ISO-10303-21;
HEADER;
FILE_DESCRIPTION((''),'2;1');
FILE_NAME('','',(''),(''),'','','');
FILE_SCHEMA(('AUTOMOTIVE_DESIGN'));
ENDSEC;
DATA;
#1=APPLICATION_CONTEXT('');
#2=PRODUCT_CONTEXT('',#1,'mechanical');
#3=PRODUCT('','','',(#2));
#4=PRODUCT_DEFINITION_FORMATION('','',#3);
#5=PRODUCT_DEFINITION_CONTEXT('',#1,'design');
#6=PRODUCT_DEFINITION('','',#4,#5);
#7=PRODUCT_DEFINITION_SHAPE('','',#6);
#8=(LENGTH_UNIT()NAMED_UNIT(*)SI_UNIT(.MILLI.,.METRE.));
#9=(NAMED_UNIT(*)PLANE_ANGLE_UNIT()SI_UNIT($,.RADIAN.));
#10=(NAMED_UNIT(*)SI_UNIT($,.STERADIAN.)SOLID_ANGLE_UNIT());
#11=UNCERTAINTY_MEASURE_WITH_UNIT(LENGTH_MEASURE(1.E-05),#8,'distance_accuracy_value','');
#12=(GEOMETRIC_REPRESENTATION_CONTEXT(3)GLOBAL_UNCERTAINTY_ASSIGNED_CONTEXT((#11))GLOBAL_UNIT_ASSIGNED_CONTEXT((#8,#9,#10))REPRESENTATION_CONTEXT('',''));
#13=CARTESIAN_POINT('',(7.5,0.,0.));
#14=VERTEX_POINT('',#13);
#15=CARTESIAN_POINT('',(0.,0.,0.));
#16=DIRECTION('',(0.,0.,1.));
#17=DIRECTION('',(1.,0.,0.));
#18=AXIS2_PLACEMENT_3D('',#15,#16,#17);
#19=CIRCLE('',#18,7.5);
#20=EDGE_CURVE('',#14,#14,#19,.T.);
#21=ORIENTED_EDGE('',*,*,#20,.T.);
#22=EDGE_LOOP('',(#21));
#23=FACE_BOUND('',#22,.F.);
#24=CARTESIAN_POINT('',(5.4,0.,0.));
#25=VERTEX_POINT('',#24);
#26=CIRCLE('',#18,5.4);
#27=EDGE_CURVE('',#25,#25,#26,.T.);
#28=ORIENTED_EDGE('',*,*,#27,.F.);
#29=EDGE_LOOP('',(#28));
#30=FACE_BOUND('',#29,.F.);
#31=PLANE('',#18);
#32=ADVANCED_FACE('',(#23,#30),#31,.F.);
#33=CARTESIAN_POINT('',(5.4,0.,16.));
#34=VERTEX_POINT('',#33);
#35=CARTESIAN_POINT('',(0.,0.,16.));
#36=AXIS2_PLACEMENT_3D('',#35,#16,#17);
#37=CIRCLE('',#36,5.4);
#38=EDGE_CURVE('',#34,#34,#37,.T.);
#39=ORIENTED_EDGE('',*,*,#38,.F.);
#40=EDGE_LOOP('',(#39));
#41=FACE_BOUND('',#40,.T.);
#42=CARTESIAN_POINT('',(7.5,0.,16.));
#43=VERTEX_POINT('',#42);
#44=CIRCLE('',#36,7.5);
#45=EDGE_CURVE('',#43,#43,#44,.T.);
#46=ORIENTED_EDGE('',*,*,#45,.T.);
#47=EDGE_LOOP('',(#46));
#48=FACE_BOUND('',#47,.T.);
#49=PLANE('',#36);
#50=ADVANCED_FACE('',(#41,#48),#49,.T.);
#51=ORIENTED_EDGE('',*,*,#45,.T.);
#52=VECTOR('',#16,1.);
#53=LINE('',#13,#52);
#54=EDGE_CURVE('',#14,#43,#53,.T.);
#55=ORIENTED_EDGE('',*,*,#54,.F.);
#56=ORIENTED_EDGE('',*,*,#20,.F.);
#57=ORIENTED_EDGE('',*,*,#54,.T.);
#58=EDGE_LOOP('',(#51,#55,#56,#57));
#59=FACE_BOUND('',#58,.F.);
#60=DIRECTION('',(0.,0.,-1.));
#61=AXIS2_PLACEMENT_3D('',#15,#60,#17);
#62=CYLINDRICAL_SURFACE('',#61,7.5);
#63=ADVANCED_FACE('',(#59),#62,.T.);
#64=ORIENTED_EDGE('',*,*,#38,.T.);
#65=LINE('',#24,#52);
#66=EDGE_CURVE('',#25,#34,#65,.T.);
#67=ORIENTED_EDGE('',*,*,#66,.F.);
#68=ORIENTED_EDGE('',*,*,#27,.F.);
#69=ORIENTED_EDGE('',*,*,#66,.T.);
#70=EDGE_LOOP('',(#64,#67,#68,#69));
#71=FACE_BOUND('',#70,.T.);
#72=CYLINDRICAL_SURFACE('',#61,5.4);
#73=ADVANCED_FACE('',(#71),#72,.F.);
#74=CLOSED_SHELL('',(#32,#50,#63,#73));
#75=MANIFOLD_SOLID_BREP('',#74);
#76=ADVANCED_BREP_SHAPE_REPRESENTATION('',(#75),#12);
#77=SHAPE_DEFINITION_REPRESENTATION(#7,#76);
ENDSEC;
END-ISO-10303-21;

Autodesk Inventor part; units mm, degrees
ref_plane "YZ Plane" through (0, 0, 0) normal (1, 0, 0) x (0, 1, 0)
ref_plane "XZ Plane" through (0, 0, 0) normal (0, 1, 0) x (-1, 0, 0)
ref_plane "XY Plane" through (0, 0, 0) normal (0, 0, 1) x (1, 0, 0)
sketch "Sketch1" plane through (0, 0, 0) normal (0, 0, 1) x (1, 0, 0)
  circle A0 centre (0, 0) radius 5.4
  circle A1 centre (0, 0) radius 7.5
  dimension "d0" = 15
  dimension "d1" = 10.8
extrude "Extrusion1" add sketch "Sketch1" along normal blind 16
properties part number "0005-10-015 suport tija_GAURA"
